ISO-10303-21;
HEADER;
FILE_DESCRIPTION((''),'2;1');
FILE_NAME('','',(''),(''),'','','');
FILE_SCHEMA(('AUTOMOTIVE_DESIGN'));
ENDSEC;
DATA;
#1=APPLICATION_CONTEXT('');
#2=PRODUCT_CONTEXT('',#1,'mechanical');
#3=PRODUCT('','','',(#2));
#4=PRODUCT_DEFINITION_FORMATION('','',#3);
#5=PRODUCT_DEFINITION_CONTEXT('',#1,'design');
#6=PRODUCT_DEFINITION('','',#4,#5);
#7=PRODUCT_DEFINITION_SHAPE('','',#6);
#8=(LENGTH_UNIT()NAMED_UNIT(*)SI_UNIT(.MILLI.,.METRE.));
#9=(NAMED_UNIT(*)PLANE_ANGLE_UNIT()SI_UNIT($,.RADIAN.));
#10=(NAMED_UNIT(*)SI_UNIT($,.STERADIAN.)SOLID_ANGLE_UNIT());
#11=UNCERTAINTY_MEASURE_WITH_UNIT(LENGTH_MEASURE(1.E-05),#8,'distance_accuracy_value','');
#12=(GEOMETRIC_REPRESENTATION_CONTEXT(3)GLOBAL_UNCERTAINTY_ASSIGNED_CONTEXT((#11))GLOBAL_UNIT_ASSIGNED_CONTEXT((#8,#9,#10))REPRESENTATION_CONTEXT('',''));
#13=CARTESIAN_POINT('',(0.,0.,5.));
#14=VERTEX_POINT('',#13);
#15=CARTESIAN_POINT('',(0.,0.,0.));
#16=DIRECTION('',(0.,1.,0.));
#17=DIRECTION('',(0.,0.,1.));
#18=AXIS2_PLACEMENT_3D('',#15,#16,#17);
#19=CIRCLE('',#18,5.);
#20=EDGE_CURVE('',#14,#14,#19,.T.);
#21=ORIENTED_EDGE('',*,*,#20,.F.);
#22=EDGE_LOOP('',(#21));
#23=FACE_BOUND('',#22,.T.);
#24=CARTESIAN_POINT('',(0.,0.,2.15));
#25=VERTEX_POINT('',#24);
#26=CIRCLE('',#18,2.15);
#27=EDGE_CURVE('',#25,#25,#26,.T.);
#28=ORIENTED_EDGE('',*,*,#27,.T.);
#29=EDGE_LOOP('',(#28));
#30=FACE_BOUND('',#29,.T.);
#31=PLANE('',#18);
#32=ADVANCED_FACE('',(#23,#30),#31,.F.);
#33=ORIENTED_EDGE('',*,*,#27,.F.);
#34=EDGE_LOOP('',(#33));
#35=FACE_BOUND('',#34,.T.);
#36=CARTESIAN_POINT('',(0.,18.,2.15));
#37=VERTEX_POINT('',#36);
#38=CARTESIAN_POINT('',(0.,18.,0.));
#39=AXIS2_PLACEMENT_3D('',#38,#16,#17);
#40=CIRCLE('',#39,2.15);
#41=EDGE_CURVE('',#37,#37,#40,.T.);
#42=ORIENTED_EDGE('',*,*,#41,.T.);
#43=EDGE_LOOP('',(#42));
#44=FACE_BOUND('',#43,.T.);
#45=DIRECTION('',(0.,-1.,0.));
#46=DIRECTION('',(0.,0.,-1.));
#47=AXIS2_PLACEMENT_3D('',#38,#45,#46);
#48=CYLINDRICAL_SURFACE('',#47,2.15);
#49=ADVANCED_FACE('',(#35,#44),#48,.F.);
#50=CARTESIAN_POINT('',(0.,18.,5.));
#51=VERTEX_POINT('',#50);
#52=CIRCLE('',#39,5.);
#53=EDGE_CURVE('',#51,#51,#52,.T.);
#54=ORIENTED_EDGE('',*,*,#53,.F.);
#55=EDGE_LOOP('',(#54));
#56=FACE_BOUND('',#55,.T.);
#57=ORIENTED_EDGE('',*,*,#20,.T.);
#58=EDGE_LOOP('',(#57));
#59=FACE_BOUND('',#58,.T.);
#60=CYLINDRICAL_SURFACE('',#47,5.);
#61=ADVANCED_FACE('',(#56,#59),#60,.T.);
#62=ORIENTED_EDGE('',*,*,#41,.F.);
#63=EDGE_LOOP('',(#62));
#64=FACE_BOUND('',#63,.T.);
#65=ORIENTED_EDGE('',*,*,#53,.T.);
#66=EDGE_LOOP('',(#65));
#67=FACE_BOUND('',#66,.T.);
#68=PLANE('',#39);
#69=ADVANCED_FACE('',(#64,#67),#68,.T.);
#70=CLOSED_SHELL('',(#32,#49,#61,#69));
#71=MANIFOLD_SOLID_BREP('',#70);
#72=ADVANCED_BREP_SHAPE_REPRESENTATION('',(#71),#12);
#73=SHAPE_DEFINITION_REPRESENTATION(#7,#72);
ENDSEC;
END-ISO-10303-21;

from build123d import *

# Parameters (mm, degrees)
SKETCH_1_R        = 5
SKETCH_1_R_2      = 2.15
EXTRUDE_301_DEPTH = 18


with BuildPart() as part:
    # Эскиз1 → Extrude 301 (new body)
    with BuildSketch(Plane(origin=(0, 0, 0), x_dir=(1, 0, 0), z_dir=(0, 1, 0))):
        with Locations(Location((0, 0, 0), (0, 0, 270))):
            Circle(SKETCH_1_R)
        with Locations(Location((0, 0, 0), (0, 0, 270))):
            Circle(SKETCH_1_R_2, mode=Mode.SUBTRACT)
    extrude(amount=EXTRUDE_301_DEPTH)


solid = part.part
